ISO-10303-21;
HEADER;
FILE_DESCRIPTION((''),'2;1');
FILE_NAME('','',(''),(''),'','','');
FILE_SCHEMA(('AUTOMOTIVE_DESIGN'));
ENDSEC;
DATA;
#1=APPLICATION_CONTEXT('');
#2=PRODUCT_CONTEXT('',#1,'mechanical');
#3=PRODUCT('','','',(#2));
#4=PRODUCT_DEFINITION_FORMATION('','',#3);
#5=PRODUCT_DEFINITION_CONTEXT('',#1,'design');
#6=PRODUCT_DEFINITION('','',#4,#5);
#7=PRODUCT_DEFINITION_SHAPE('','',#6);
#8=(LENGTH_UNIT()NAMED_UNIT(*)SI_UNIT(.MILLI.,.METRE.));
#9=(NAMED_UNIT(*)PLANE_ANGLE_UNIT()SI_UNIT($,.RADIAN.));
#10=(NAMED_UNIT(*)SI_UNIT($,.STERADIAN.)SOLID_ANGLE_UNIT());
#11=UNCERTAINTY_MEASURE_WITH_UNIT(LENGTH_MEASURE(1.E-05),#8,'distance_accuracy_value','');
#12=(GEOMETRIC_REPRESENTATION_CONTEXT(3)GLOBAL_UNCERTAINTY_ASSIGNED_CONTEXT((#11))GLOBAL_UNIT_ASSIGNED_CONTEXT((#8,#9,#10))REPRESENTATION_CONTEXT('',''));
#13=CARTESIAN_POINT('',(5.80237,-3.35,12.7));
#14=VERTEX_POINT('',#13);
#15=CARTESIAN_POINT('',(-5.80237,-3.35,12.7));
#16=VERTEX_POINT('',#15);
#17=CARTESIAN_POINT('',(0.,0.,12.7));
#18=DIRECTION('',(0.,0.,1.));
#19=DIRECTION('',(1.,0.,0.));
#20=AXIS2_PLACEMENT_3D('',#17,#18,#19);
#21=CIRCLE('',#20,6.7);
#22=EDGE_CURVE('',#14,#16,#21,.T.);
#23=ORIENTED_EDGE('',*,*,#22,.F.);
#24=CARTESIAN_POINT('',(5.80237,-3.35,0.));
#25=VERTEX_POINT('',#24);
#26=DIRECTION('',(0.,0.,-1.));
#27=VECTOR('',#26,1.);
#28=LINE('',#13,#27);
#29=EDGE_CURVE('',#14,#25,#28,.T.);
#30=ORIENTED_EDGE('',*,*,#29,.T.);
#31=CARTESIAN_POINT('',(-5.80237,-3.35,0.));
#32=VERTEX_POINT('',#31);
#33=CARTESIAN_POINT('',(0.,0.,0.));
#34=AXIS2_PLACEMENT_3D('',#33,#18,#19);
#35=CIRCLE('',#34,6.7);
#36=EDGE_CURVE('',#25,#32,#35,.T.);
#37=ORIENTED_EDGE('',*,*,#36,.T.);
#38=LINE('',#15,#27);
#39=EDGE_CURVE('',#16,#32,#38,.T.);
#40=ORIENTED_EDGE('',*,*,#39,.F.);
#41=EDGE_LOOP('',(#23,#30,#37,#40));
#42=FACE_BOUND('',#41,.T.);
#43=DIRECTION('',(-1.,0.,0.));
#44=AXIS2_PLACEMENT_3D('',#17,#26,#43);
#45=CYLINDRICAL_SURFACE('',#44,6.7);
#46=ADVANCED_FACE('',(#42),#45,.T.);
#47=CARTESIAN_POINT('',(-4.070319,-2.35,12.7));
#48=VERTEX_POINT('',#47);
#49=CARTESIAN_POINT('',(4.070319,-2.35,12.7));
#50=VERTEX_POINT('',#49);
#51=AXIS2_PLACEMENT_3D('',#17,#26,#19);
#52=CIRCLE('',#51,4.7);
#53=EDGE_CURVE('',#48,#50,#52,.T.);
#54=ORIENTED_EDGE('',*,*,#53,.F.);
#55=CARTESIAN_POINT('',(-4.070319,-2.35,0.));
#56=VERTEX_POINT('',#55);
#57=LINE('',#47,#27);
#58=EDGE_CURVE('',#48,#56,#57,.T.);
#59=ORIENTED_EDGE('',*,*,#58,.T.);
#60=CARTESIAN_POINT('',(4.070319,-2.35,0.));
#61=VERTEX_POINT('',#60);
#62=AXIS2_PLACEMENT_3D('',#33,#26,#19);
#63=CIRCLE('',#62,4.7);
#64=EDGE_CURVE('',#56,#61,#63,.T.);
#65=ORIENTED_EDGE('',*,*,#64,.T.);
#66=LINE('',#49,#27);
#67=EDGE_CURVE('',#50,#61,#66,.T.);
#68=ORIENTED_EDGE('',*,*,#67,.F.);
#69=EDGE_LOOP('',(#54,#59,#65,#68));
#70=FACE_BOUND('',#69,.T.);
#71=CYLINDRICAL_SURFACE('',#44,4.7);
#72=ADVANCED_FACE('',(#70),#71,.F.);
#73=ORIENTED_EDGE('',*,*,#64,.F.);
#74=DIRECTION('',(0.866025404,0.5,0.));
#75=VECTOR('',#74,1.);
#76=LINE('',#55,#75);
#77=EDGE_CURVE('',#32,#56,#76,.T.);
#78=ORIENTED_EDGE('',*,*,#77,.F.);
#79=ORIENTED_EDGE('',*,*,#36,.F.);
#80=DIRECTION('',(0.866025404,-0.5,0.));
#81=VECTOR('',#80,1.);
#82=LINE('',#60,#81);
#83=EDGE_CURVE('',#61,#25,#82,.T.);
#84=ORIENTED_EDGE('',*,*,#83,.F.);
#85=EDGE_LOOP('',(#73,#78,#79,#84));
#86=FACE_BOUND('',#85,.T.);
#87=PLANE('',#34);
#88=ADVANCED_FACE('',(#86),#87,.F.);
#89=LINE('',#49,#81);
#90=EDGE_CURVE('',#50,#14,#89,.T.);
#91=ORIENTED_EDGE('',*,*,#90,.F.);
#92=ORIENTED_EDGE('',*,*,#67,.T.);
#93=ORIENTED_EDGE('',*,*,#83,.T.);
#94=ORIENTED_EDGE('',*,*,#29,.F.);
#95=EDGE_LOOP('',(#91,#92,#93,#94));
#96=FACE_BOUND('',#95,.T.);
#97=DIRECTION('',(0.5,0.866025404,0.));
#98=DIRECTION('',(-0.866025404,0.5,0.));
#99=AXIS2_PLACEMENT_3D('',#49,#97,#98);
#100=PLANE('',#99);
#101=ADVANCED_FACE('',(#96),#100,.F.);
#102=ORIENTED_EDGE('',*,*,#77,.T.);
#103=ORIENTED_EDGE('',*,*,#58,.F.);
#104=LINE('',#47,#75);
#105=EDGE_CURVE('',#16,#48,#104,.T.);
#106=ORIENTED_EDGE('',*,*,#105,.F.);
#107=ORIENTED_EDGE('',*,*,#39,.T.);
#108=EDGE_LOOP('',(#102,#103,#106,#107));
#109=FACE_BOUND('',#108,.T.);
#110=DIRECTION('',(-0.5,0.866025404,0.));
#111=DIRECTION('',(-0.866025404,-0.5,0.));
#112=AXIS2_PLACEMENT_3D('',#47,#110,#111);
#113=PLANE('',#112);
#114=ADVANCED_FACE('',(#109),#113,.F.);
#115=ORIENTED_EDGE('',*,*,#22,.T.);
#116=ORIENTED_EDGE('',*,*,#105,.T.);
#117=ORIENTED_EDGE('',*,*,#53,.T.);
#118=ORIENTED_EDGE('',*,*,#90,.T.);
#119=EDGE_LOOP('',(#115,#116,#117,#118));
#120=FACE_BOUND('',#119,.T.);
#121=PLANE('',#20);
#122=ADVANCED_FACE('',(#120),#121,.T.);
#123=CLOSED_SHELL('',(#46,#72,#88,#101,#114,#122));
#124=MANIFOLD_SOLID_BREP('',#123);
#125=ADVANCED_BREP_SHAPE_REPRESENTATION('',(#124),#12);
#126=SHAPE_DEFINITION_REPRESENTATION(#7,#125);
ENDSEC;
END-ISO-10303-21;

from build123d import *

# Parameters (mm, degrees)
BOSS_EXTRUDE1_DEPTH = 12.7


with BuildPart() as part:
    # Sketch1 → Boss-Extrude1 (new body)
    with BuildSketch(Plane.XY):
        with BuildLine():
            Line((-4.070319398, -2.35), (-5.802370205, -3.35))
            ThreePointArc((-5.802370205, -3.35), (0, 6.7), (5.802370205, -3.35))
            Line((5.802370205, -3.35), (4.070319398, -2.35))
            ThreePointArc((4.070319398, -2.35), (0, 4.7), (-4.070319398, -2.35))
        make_face()
    extrude(amount=BOSS_EXTRUDE1_DEPTH)


solid = part.part
